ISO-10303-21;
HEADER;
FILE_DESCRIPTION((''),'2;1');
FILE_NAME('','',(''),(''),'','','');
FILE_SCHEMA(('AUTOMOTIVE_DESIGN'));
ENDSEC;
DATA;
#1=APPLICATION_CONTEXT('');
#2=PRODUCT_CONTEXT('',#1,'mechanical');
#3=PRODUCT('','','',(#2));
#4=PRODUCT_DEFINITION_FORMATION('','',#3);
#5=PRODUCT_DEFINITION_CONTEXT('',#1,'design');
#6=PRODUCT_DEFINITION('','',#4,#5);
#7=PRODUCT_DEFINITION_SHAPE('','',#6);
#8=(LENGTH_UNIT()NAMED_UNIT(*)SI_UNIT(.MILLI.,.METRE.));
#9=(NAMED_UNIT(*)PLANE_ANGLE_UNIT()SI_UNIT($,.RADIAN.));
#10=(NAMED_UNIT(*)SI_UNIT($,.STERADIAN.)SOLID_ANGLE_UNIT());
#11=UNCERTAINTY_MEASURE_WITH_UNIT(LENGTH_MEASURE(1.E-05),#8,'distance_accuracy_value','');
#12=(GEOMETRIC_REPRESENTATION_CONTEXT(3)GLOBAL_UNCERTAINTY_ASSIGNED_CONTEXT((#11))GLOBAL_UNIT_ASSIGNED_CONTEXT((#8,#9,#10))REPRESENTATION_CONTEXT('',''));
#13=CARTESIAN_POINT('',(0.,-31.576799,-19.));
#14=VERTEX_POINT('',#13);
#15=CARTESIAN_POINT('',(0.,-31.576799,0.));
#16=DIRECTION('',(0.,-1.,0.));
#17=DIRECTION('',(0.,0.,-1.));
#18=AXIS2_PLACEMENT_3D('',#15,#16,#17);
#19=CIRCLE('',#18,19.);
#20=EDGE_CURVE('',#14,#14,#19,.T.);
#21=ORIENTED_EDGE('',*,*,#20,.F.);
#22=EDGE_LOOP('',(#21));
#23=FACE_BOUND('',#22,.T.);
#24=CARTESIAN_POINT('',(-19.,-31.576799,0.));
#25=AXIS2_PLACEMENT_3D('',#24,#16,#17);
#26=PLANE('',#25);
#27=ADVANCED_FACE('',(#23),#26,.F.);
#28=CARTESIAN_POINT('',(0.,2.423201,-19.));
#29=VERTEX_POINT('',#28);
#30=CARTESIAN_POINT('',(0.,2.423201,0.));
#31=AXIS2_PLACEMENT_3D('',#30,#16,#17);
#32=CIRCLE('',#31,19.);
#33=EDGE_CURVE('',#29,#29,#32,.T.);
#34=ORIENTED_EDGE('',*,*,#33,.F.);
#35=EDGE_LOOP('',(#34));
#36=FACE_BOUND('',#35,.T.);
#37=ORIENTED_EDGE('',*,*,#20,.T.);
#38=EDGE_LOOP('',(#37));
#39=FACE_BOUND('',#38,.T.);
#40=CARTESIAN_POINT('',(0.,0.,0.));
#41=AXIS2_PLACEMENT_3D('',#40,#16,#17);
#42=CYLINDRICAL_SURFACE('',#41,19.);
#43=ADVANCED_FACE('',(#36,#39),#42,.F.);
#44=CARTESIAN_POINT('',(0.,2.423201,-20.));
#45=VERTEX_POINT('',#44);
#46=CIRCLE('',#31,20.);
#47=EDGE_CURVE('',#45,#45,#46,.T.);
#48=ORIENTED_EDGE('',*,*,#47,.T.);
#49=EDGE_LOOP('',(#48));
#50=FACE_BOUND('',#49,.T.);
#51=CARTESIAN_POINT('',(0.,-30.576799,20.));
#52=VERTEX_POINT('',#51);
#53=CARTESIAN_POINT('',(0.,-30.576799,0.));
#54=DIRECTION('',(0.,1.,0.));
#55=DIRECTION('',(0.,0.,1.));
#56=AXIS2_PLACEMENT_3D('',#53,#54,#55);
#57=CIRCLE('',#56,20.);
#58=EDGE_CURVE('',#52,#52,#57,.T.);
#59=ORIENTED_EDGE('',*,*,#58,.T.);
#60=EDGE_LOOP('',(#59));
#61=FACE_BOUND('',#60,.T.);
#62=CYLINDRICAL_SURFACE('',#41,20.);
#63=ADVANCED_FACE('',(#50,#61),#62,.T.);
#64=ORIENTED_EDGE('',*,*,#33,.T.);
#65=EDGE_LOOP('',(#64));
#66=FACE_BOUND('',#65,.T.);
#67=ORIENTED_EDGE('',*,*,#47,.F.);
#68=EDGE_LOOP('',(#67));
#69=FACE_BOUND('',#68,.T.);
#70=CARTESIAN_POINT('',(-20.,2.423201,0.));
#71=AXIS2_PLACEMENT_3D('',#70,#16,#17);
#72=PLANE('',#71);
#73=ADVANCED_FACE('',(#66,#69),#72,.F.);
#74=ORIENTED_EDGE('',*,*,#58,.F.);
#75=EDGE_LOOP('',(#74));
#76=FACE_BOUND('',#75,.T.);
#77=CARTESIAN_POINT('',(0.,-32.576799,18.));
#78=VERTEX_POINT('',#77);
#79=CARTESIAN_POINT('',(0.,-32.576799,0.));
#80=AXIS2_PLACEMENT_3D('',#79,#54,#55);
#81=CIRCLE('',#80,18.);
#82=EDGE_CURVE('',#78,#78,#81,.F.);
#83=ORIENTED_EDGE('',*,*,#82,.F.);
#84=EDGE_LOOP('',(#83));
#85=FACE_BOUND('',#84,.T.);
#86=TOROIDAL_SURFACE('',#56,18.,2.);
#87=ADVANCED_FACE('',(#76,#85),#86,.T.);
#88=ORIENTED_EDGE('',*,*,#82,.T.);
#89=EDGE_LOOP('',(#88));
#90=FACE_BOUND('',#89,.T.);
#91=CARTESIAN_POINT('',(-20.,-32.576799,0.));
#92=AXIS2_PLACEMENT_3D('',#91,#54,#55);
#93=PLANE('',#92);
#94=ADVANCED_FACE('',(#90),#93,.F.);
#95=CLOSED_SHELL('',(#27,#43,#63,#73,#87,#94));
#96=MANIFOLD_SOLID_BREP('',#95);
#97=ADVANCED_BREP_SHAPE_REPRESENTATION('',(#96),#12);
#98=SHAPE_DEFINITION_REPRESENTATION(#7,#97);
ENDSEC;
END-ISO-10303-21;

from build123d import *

# Parameters (mm, degrees)
FILLET1_R = 2


with BuildPart() as part:
    # Sketch1 → Revolve1 (revolve)
    with BuildSketch(Plane.XY):
        Polygon((-20, 2.423201416), (-20, -32.576798584), (0, -32.576798584), (0, -31.576798584), (-19, -31.576798584), (-19, 2.423201416), align=None)
    revolve(axis=Axis((0, 0, 0), (0, 1, 0)))

    # Fillet1
    fillet1_edges = [part.edges().sort_by_distance(p)[0] for p in [
        (20, -32.576798584, 0),
    ]]
    fillet(fillet1_edges, radius=FILLET1_R)


solid = part.part
